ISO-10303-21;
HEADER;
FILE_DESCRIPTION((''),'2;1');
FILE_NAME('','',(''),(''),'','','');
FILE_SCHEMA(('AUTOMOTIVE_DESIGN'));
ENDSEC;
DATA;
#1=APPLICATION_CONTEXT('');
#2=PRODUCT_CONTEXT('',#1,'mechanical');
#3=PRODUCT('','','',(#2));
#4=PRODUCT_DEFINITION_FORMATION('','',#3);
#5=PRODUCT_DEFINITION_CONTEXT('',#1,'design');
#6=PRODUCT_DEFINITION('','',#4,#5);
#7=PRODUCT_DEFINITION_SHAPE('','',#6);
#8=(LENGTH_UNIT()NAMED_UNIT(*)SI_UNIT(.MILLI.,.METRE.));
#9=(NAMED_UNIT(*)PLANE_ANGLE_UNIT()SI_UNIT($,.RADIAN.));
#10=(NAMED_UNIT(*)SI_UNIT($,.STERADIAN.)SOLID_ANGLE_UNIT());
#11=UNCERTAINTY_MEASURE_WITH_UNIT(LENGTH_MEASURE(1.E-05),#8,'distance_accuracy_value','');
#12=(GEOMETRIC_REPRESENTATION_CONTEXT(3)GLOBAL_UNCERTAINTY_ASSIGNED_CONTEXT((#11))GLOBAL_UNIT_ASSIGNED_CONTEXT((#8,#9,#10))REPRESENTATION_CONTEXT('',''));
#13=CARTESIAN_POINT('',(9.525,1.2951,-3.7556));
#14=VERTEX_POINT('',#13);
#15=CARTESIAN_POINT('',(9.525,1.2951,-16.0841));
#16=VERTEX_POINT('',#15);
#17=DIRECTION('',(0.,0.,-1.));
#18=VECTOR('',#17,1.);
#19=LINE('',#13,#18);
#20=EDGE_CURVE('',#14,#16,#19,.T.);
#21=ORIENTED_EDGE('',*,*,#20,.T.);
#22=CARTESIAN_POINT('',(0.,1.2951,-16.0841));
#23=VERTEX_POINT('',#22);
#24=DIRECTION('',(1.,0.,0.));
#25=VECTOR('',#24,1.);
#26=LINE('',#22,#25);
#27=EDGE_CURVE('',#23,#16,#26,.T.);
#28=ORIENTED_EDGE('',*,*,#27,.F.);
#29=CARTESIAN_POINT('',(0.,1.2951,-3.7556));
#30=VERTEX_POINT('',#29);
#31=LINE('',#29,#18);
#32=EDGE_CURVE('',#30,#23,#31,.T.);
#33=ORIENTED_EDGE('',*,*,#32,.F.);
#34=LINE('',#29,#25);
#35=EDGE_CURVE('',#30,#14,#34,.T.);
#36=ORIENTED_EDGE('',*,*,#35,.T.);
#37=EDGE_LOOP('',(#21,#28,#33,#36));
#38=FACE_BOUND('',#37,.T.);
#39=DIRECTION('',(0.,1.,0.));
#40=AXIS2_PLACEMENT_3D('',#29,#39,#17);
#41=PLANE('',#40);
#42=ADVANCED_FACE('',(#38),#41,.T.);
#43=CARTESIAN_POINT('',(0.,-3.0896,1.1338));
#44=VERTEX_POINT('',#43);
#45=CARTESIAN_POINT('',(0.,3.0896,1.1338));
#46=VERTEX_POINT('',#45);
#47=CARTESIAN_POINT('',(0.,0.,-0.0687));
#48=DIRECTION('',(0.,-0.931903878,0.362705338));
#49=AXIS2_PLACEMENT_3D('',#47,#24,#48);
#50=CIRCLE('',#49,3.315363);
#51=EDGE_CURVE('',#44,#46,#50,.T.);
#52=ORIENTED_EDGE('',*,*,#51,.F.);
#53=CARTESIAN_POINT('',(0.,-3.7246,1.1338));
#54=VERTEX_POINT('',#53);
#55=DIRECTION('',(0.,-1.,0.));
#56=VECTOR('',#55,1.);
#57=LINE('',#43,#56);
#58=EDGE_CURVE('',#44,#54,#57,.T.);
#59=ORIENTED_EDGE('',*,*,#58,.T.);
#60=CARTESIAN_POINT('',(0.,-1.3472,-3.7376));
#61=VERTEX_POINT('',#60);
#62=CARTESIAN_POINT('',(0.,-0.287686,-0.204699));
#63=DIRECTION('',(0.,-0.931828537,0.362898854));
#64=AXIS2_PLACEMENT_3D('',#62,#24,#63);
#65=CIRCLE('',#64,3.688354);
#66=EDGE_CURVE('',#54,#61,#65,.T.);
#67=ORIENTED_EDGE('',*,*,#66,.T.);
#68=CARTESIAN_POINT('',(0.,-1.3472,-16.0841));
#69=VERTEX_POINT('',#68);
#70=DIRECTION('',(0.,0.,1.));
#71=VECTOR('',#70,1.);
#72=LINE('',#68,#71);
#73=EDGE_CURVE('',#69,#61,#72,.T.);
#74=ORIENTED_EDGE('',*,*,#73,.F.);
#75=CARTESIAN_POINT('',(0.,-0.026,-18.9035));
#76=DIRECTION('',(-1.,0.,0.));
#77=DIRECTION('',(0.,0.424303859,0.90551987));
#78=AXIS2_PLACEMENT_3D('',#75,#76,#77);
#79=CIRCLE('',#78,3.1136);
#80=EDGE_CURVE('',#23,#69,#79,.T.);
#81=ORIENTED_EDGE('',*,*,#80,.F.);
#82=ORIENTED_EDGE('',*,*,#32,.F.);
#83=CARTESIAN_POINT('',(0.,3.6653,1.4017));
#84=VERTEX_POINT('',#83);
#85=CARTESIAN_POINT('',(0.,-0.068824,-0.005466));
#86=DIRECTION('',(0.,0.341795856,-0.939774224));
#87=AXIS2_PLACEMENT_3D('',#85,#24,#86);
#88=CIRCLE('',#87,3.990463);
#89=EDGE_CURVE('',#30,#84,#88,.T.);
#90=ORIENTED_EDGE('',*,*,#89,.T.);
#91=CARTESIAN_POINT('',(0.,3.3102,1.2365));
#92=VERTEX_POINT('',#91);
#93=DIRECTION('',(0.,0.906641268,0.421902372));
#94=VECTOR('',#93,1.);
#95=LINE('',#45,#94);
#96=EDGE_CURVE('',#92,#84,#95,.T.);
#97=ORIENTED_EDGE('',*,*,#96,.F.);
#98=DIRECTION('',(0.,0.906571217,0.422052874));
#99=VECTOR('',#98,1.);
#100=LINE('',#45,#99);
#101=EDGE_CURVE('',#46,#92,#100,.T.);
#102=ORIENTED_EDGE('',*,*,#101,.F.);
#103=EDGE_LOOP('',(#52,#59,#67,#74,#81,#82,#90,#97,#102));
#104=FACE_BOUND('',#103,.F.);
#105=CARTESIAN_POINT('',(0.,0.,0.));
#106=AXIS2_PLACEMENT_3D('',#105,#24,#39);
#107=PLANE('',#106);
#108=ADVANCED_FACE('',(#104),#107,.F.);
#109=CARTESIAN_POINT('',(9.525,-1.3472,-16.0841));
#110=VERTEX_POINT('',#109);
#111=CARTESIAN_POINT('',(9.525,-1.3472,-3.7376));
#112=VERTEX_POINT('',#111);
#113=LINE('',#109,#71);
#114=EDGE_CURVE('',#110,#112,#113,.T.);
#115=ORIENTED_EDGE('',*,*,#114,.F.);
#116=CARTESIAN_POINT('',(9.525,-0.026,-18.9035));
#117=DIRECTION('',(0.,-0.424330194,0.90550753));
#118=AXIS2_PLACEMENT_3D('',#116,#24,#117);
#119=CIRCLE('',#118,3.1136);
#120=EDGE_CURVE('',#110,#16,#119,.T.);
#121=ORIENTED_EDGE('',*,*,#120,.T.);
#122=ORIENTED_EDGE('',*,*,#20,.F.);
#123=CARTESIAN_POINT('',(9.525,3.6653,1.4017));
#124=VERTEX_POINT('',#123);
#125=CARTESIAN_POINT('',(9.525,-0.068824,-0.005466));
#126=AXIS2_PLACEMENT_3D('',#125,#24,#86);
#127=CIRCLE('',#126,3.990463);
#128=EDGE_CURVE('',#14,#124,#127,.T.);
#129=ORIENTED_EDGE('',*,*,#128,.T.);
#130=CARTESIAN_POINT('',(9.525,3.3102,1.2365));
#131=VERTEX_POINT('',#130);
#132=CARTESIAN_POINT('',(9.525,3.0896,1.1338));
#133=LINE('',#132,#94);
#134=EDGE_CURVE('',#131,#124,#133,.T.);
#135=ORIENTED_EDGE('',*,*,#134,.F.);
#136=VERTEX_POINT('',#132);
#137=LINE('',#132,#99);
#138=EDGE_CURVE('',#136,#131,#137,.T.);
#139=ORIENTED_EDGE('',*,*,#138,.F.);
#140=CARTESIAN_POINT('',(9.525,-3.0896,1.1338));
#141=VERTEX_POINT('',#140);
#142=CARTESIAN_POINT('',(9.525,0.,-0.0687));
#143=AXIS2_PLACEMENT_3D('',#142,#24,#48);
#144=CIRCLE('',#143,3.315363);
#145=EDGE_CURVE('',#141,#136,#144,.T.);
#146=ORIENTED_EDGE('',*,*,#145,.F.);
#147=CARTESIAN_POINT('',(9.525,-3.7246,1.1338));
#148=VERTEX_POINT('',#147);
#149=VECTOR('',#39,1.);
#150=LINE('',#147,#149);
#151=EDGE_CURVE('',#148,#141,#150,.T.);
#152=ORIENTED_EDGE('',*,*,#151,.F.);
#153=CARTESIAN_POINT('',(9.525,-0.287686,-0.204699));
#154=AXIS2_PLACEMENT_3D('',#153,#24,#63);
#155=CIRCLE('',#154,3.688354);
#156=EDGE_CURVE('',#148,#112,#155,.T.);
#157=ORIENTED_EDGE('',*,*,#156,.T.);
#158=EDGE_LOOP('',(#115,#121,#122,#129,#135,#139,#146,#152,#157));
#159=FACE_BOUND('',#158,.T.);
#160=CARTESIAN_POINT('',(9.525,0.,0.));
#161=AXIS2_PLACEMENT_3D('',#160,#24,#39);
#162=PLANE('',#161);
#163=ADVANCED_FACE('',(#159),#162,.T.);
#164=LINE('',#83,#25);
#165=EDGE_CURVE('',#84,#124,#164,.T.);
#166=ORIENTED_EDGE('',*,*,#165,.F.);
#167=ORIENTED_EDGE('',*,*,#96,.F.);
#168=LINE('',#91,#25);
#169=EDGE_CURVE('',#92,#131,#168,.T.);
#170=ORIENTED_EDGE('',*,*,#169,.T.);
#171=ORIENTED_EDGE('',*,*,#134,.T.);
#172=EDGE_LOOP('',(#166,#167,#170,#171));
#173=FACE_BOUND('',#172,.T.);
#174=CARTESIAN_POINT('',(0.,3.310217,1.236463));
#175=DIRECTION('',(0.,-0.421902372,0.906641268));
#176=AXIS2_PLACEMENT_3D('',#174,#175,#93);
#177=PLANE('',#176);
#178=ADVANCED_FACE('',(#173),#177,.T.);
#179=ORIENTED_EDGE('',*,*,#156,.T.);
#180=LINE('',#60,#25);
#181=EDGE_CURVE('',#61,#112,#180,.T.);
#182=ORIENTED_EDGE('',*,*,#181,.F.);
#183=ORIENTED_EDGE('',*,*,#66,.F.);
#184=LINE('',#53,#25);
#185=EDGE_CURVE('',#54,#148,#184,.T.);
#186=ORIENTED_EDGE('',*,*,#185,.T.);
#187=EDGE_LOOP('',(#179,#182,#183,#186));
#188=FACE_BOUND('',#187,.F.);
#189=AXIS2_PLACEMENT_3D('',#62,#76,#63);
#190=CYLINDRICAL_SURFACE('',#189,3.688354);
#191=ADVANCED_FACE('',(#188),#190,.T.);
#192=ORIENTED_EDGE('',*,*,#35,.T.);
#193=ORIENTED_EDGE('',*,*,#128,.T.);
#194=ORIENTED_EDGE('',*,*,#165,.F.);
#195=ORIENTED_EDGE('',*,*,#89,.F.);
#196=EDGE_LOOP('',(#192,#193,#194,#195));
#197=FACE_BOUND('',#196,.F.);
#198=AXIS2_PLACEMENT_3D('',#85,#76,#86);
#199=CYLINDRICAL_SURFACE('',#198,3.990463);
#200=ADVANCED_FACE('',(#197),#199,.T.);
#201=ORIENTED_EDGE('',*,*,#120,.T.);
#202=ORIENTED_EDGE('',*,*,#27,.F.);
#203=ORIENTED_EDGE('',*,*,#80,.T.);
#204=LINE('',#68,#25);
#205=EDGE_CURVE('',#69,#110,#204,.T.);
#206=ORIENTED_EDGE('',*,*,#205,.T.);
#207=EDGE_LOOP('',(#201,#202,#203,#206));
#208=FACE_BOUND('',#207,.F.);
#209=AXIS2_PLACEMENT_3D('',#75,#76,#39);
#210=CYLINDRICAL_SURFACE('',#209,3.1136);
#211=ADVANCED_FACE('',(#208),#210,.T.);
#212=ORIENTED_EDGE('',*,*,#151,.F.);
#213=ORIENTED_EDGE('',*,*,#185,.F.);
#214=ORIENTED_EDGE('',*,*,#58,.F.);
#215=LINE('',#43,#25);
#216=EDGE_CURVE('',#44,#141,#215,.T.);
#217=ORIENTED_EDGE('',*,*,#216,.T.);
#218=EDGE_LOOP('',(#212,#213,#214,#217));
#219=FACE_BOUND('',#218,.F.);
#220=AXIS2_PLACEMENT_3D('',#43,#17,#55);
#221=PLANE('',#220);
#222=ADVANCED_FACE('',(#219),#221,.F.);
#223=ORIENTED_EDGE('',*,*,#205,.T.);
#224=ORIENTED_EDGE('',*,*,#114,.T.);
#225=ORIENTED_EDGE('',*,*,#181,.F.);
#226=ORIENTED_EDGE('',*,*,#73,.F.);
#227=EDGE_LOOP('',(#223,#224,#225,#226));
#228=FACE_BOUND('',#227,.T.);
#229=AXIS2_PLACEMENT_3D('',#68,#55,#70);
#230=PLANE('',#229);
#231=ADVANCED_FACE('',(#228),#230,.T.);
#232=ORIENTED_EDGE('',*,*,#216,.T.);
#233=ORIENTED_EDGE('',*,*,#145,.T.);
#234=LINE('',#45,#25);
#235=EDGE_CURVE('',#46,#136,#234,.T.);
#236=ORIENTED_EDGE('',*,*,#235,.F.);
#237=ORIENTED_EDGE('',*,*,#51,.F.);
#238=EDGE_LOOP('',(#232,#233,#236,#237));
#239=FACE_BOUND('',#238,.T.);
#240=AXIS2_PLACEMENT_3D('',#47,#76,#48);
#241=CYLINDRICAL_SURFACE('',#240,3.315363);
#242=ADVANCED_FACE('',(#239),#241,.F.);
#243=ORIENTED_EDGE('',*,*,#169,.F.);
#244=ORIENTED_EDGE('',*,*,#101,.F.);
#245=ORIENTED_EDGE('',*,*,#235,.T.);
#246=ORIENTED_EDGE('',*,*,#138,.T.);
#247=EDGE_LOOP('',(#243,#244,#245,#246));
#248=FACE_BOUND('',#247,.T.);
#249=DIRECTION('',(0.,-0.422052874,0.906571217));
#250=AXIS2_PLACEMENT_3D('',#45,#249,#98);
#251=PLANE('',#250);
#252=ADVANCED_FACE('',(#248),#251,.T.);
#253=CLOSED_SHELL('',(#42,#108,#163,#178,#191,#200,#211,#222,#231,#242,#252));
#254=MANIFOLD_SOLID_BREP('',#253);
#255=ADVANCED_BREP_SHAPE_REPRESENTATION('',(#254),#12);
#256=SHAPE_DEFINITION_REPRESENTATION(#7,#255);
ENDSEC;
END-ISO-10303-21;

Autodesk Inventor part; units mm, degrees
ref_plane "YZ Plane" through (0, 0, 0) normal (1, 0, 0) x (0, 1, 0)
ref_plane "XZ Plane" through (0, 0, 0) normal (0, 1, 0) x (-1, 0, 0)
ref_plane "XY Plane" through (0, 0, 0) normal (0, 0, 1) x (1, 0, 0)
sketch "Sketch1" plane through (0, 0, 0) normal (1, 0, 0) x (0, 1, 0)
  arc A0 (-3.0896, 1.1338) -> (3.0896, 1.1338) centre (0, -0.0687) ccw
  line L0 (-3.0896, 1.1338) -> (-3.3549, 1.1338)
  line L1 (3.0896, 1.1338) -> (3.3102, 1.2365)
  circle A1 centre (-0.026, -18.9035) radius 3.1136
  arc A2 (1.2951, -16.0841) -> (-1.3472, -16.0841) centre (-0.026, -18.9035) ccw
  line L2 (3.0896, 1.1338) -> (3.6653, 1.4017)
  line L3 (-3.0896, 1.1338) -> (-3.7246, 1.1338)
  arc A3 (-3.7246, 1.1338) -> (-1.3472, -3.7376) centre (-0.2877, -0.2047) ccw
  arc A4 (1.2951, -3.7556) -> (3.6653, 1.4017) centre (-0.0687, -0.0056) ccw
  line L4 (1.2951, -3.7556) -> (1.2951, -16.0841)
  line L5 (-1.3472, -16.0841) -> (-1.3472, -3.7376)
  point P0 (0, 0)
  dimension "d12" = 0.635
  dimension "d13" = 0.635
extrude "Extrusion3" add sketch "Sketch1" along normal blind 9.525
properties part number "turtlearm"
